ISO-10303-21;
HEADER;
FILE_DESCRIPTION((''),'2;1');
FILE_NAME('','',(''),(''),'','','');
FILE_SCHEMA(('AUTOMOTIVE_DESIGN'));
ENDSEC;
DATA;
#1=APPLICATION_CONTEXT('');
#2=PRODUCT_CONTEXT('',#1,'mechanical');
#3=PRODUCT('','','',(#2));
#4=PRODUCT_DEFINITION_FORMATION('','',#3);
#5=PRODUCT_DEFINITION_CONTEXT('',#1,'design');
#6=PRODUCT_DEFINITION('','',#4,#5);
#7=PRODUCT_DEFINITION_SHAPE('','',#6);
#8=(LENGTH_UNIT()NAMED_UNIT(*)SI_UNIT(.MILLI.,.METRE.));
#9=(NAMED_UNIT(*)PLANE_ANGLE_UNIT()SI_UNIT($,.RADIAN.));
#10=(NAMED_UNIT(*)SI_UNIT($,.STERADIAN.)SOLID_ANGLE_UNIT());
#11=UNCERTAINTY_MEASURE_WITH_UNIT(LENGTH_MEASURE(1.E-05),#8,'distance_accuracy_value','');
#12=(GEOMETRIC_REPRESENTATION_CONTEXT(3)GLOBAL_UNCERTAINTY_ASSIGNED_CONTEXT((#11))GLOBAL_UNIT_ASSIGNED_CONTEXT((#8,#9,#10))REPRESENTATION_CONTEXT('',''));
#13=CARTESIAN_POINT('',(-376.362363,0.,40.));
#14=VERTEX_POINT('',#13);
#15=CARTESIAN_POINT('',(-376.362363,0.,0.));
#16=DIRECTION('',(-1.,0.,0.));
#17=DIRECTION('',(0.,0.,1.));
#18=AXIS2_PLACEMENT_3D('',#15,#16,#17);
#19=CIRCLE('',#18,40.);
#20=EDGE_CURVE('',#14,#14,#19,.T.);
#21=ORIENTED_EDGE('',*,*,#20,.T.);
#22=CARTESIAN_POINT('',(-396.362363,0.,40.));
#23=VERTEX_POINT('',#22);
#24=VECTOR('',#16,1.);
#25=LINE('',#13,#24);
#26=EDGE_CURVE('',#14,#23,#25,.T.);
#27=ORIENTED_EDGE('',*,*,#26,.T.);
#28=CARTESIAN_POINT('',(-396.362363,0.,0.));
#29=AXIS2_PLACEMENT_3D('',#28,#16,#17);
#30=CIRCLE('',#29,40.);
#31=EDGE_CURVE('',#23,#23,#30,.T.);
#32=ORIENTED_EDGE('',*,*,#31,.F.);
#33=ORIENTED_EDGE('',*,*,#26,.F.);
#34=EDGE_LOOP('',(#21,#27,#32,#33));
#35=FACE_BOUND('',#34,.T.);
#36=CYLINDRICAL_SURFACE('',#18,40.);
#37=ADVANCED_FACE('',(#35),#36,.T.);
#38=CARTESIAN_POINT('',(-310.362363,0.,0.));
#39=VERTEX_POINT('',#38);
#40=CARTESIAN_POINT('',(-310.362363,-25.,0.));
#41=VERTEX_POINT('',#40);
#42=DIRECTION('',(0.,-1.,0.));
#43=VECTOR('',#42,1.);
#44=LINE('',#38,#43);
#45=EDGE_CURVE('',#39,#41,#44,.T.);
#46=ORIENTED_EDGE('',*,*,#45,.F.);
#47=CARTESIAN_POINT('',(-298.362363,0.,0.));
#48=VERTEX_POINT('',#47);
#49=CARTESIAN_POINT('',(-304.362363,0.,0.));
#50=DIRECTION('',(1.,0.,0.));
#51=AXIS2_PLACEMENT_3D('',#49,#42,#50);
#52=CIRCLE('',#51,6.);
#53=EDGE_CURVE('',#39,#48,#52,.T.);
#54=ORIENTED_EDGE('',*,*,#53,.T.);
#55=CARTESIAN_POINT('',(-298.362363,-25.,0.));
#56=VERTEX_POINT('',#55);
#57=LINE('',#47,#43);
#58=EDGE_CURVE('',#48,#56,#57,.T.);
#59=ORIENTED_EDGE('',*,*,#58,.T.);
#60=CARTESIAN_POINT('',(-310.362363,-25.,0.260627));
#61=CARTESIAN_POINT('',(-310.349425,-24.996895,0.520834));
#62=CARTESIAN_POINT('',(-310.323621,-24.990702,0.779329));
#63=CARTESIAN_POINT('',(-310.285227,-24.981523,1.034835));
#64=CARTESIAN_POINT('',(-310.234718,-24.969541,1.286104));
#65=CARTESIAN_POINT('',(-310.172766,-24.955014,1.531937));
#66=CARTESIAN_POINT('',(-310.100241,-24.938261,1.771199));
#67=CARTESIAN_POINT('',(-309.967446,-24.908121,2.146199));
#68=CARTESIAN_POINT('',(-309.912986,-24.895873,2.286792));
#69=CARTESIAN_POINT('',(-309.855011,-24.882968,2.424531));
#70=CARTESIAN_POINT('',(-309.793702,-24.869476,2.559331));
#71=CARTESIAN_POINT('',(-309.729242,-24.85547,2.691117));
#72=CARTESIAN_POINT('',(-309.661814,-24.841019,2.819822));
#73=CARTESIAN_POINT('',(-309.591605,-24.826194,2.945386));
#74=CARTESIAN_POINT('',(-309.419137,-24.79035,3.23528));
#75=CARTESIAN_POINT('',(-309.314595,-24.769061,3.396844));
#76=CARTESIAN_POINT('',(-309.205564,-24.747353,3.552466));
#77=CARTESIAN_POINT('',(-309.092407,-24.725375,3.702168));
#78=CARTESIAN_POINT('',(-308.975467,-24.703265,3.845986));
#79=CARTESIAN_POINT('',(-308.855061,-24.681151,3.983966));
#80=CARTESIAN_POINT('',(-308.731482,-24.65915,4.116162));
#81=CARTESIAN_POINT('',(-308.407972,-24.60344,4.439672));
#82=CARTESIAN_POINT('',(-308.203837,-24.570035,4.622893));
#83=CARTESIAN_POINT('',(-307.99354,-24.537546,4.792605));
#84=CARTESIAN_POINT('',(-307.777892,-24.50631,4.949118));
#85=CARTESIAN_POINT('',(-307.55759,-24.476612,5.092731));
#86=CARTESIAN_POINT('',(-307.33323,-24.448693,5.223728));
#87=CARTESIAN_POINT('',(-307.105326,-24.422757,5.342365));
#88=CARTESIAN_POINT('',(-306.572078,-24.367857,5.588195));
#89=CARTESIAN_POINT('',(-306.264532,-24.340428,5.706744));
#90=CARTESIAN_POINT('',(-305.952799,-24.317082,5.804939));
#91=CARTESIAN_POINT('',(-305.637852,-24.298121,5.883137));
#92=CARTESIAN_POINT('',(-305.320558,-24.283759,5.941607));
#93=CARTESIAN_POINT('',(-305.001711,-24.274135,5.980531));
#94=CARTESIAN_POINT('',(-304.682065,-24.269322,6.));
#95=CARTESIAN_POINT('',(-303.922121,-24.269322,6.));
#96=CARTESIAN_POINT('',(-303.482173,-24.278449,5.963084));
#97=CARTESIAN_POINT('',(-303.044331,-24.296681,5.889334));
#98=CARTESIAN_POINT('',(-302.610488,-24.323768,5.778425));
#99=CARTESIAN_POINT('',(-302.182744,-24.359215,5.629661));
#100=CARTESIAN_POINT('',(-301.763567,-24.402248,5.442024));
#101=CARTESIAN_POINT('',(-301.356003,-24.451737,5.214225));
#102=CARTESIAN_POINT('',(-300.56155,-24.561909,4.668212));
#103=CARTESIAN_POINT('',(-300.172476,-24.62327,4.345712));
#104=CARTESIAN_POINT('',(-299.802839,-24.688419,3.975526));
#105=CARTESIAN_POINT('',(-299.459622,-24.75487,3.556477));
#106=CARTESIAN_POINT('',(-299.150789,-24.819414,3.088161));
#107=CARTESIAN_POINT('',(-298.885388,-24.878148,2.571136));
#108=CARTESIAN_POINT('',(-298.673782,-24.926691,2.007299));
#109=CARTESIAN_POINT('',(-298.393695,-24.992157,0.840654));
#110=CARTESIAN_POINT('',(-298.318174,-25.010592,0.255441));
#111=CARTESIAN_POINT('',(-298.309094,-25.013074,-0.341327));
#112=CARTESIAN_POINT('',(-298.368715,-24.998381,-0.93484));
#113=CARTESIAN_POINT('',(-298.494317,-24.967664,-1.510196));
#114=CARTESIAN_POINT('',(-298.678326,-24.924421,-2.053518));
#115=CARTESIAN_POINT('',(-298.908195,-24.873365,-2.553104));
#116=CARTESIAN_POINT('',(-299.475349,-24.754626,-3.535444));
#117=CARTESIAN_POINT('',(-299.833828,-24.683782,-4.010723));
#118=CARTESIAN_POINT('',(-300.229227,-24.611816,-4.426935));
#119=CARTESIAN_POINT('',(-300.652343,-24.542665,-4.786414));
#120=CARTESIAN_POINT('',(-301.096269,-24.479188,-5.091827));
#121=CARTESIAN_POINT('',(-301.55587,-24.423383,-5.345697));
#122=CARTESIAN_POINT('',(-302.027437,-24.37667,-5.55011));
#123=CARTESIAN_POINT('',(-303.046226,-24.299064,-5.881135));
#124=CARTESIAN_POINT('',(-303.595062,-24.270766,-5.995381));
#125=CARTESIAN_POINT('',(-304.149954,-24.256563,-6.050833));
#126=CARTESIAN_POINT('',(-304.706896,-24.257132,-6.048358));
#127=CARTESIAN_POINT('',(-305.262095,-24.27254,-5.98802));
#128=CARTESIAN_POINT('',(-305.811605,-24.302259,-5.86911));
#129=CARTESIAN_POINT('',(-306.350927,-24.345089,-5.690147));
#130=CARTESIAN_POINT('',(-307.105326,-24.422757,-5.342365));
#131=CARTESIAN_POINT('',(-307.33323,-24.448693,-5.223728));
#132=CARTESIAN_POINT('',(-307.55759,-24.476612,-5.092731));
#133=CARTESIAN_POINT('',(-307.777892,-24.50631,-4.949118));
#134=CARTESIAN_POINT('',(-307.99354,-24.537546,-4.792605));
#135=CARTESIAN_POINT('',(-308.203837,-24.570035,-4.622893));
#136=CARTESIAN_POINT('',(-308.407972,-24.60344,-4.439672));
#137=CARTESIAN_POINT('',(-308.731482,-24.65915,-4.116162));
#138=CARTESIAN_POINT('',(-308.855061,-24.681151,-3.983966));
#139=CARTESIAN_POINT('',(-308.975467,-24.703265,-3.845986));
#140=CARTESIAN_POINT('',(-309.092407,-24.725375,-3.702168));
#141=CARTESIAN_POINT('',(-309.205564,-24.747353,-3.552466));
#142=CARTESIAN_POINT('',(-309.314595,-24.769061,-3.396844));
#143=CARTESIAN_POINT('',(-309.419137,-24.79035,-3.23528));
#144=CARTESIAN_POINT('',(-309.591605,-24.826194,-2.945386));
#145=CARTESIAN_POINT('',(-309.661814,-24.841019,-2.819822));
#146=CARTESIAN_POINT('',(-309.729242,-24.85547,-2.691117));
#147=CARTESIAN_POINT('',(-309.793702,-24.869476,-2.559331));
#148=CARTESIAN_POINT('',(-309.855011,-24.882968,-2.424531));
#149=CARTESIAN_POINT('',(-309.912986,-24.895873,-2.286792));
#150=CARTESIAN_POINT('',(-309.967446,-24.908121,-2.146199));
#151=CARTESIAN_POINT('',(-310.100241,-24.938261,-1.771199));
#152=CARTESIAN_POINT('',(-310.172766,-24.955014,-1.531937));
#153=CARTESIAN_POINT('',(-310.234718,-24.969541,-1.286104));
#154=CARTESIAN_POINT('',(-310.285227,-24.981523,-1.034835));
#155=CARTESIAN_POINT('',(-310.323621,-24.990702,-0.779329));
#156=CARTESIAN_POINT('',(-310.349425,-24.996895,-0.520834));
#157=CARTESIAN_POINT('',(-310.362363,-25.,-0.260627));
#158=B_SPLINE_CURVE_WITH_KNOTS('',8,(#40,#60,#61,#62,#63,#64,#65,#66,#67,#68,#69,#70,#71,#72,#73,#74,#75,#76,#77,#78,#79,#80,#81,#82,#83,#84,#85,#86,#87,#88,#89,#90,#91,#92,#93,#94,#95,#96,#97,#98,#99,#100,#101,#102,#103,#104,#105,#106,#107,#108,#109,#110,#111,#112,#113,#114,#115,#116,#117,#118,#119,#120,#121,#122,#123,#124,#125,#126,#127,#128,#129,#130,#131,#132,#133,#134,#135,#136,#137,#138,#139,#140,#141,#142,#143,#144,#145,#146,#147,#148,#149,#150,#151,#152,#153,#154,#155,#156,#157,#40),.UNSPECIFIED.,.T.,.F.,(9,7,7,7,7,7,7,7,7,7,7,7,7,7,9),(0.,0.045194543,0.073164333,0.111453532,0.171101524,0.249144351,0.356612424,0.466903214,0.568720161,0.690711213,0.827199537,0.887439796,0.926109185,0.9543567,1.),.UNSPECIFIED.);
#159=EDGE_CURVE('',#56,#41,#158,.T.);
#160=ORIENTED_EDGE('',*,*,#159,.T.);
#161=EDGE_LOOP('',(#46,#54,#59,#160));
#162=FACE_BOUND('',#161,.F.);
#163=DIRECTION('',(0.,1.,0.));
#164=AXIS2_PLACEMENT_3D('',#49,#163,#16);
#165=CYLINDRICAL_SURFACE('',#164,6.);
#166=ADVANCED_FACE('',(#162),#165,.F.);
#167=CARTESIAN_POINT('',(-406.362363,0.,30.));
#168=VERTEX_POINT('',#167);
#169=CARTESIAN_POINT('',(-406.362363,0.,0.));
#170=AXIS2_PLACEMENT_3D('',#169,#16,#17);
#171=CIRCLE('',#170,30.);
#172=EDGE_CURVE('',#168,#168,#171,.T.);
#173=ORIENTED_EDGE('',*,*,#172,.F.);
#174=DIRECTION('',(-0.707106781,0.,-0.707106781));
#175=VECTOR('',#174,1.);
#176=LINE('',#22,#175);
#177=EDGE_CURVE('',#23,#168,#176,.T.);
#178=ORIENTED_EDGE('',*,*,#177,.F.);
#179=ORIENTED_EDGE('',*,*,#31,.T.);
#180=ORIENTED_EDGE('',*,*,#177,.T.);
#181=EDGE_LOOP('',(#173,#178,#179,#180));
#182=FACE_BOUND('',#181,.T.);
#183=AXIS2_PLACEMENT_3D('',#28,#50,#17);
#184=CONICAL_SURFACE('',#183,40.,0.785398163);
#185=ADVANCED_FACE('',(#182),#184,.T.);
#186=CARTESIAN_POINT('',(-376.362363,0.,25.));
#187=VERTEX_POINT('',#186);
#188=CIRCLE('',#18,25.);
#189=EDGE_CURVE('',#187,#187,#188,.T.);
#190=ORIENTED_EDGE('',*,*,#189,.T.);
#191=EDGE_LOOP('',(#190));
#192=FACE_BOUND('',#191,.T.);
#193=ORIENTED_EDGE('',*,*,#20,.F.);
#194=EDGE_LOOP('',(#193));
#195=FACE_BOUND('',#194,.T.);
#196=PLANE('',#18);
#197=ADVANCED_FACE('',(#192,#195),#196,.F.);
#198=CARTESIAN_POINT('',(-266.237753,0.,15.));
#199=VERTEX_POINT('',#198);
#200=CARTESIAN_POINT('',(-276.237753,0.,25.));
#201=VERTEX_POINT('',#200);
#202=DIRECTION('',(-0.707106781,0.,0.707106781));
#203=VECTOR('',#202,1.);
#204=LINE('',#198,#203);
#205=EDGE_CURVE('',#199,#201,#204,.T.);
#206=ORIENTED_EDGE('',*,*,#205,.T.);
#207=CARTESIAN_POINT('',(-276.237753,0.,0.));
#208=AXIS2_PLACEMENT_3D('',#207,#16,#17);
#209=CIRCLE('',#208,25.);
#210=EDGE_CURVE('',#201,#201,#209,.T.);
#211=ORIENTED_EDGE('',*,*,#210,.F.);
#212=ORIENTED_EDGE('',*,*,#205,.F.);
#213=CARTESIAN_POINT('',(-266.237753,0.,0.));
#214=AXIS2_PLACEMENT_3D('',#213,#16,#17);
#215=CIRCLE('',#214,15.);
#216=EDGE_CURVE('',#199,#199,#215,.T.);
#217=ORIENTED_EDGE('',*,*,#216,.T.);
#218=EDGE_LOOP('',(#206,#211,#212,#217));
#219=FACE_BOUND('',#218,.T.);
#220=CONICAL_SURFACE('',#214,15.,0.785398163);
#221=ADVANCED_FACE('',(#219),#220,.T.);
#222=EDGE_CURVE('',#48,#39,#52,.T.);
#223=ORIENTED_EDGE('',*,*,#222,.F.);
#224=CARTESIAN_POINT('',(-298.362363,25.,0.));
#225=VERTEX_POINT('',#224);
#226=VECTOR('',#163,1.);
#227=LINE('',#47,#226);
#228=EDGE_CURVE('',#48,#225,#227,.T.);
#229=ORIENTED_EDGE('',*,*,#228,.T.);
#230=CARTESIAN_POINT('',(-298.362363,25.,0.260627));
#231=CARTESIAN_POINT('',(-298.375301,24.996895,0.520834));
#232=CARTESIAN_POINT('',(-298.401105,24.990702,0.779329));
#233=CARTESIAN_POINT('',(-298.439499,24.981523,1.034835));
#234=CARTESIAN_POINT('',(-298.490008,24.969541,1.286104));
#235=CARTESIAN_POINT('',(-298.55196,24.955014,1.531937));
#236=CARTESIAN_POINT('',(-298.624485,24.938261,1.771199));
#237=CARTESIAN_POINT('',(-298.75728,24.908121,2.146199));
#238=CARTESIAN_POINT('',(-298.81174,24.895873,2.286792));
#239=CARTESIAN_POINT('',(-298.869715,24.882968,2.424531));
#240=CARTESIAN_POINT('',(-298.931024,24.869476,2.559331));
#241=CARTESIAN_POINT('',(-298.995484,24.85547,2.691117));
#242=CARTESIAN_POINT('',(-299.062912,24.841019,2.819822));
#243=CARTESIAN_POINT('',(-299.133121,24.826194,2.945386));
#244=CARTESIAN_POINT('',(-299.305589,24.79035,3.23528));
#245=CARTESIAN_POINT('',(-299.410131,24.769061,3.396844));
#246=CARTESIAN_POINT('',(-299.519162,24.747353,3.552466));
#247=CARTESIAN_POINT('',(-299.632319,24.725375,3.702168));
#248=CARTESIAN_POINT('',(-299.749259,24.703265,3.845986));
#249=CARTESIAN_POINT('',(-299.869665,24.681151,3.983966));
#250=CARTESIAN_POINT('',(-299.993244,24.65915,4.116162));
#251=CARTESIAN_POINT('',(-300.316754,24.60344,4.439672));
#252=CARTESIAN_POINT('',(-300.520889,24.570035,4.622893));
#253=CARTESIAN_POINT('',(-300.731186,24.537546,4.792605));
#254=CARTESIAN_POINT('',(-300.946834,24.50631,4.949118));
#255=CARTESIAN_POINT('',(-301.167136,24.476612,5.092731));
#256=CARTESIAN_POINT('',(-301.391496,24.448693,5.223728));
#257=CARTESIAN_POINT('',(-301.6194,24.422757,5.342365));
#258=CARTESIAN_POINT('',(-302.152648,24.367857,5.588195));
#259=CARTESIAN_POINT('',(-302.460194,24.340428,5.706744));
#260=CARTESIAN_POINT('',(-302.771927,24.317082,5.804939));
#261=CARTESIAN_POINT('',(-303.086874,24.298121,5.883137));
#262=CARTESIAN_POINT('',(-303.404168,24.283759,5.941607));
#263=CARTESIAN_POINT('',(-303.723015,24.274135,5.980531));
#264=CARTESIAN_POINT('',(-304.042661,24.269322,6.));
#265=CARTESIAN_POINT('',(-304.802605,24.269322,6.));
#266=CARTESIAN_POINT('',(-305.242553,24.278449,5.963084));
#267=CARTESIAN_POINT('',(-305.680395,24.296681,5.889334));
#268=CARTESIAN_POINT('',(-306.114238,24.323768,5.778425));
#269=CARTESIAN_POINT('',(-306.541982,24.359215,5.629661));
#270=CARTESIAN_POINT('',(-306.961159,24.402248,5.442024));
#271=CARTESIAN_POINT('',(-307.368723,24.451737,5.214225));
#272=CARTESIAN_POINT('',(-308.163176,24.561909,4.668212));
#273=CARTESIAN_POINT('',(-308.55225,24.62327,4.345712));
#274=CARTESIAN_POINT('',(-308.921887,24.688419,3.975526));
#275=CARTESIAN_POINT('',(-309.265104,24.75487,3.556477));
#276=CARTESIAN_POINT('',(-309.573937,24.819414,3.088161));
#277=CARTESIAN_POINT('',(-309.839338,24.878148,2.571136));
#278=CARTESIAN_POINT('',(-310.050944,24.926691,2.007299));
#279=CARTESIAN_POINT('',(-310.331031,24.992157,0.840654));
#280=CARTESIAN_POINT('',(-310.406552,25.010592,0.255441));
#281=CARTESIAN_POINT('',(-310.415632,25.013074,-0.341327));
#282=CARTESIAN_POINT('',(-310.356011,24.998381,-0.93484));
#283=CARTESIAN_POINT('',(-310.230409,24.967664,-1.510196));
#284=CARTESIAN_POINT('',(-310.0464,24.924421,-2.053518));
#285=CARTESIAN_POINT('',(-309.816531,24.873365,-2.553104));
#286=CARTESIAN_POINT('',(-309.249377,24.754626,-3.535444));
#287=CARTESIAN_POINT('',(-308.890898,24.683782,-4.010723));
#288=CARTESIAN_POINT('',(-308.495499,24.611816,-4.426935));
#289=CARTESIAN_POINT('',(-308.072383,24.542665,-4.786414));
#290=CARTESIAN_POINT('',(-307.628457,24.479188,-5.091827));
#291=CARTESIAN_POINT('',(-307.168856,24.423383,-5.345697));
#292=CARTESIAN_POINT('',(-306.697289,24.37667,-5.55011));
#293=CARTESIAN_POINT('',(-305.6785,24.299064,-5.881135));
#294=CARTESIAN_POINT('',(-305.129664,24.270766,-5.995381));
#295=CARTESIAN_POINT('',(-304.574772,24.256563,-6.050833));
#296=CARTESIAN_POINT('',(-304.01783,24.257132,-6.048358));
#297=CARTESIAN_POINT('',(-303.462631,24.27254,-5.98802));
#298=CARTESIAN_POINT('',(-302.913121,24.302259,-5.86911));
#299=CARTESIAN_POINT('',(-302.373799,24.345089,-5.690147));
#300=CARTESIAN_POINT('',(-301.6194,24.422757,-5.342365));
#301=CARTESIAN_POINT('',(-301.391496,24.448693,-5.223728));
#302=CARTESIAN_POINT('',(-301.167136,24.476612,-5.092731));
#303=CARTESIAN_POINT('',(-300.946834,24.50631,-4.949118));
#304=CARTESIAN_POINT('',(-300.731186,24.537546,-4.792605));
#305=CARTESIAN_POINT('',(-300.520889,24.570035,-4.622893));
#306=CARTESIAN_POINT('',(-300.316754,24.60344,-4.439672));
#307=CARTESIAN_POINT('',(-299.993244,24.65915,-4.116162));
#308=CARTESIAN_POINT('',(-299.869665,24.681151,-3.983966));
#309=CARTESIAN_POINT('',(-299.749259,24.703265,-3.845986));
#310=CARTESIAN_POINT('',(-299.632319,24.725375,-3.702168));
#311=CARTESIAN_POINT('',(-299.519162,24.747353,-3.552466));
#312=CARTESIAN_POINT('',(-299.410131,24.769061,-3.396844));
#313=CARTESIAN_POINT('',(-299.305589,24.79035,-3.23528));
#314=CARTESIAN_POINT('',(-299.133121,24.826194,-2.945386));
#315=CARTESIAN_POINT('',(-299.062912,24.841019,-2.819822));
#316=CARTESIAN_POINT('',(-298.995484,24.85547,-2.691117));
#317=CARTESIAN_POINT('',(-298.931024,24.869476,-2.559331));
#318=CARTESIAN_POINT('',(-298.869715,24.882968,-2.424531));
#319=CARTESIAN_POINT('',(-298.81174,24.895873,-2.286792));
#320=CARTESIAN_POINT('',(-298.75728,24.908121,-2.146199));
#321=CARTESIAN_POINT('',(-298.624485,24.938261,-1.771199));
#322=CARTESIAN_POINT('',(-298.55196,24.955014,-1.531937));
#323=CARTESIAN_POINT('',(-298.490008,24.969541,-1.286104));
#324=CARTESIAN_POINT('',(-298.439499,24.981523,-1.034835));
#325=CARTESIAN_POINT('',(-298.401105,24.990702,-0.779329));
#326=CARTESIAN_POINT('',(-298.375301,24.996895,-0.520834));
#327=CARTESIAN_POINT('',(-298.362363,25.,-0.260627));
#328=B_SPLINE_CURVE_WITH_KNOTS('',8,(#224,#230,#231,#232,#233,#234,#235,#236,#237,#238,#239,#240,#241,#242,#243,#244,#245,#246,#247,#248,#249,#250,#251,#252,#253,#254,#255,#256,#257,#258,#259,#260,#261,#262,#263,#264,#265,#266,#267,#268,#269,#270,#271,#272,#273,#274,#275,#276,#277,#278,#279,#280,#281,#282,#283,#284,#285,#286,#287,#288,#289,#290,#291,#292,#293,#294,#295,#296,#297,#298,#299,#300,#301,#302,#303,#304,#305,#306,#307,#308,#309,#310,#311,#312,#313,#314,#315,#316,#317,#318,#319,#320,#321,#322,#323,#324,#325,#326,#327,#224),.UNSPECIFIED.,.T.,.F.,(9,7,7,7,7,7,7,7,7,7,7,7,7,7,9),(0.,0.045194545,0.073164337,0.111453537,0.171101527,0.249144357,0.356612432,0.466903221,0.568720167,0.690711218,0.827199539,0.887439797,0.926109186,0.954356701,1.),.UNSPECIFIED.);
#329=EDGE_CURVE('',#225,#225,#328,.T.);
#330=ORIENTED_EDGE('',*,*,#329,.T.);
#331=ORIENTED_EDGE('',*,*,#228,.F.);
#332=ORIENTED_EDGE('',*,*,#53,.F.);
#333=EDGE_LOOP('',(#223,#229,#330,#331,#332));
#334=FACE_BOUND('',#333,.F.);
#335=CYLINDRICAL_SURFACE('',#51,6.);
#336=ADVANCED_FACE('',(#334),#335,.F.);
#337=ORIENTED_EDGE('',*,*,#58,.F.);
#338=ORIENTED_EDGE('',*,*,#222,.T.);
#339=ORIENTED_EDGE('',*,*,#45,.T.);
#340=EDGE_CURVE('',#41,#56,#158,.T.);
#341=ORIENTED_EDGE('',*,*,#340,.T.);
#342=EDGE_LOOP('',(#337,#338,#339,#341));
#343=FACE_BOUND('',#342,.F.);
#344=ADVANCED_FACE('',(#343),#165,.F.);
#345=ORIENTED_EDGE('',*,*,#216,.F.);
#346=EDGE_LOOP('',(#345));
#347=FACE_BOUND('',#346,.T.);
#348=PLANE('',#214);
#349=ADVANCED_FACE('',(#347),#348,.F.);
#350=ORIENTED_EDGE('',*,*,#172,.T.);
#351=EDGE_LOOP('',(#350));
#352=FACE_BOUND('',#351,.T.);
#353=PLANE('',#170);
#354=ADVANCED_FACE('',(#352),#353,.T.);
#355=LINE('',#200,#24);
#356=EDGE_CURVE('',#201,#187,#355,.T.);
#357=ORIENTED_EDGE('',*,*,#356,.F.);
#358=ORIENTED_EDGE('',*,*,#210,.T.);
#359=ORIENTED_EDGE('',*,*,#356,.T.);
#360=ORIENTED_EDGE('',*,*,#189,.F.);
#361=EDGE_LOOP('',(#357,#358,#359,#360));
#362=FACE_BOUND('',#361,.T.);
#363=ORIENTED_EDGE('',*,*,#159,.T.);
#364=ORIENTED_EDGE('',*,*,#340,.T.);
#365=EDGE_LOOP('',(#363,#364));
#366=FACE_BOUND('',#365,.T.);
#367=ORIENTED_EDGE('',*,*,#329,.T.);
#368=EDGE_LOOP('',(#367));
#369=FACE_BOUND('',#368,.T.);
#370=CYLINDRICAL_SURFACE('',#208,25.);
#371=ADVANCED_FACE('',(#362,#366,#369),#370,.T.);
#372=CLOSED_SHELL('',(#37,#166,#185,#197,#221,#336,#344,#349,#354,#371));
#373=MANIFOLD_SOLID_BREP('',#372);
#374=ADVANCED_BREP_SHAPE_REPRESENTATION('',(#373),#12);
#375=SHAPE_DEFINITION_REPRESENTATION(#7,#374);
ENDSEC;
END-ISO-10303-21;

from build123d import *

# Parameters (mm, degrees)
F2_R     = 6
F3_DEPTH = 40.001
F4_R     = 6
F5_DEPTH = 40.001
F6_DEPTH = 40.001


with BuildPart() as f1:
    # F0 (on Front) → F1 (revolve)
    with BuildSketch(Plane.XZ):
        Polygon((-406.362363, 30), (-406.362363, 0), (-312.251694, 0), (-296.473032, 0), (-266.237753, 0), (-266.237753, 15), (-276.237753, 25), (-376.362363, 25), (-376.362363, 40), (-396.362363, 40), align=None)
    revolve(axis=Axis((-281.355392, 0, 0), (-1, 0, 0)))

    # F2 (on Front) → F3 (cut, through all)
    with BuildSketch(Plane.XZ):
        with Locations((-304.362363, 0)):
            Circle(F2_R)
    extrude(amount=-F3_DEPTH, mode=Mode.SUBTRACT)

    # F4 (on face) → F5 (cut, through all)
    with BuildSketch(Plane(origin=(0, 0, 0), x_dir=(-1, 0, 0), z_dir=(0, 1, 0))):
        with Locations((304.362363, 0)):
            Circle(F4_R)
    extrude(amount=-F5_DEPTH, mode=Mode.SUBTRACT)

    # F2 (on Front) → F6 (cut, through all)
    with BuildSketch(Plane.XZ):
        with Locations((-304.362363, 0)):
            Circle(F2_R)
    extrude(amount=F6_DEPTH, mode=Mode.SUBTRACT)


solid = f1.part
